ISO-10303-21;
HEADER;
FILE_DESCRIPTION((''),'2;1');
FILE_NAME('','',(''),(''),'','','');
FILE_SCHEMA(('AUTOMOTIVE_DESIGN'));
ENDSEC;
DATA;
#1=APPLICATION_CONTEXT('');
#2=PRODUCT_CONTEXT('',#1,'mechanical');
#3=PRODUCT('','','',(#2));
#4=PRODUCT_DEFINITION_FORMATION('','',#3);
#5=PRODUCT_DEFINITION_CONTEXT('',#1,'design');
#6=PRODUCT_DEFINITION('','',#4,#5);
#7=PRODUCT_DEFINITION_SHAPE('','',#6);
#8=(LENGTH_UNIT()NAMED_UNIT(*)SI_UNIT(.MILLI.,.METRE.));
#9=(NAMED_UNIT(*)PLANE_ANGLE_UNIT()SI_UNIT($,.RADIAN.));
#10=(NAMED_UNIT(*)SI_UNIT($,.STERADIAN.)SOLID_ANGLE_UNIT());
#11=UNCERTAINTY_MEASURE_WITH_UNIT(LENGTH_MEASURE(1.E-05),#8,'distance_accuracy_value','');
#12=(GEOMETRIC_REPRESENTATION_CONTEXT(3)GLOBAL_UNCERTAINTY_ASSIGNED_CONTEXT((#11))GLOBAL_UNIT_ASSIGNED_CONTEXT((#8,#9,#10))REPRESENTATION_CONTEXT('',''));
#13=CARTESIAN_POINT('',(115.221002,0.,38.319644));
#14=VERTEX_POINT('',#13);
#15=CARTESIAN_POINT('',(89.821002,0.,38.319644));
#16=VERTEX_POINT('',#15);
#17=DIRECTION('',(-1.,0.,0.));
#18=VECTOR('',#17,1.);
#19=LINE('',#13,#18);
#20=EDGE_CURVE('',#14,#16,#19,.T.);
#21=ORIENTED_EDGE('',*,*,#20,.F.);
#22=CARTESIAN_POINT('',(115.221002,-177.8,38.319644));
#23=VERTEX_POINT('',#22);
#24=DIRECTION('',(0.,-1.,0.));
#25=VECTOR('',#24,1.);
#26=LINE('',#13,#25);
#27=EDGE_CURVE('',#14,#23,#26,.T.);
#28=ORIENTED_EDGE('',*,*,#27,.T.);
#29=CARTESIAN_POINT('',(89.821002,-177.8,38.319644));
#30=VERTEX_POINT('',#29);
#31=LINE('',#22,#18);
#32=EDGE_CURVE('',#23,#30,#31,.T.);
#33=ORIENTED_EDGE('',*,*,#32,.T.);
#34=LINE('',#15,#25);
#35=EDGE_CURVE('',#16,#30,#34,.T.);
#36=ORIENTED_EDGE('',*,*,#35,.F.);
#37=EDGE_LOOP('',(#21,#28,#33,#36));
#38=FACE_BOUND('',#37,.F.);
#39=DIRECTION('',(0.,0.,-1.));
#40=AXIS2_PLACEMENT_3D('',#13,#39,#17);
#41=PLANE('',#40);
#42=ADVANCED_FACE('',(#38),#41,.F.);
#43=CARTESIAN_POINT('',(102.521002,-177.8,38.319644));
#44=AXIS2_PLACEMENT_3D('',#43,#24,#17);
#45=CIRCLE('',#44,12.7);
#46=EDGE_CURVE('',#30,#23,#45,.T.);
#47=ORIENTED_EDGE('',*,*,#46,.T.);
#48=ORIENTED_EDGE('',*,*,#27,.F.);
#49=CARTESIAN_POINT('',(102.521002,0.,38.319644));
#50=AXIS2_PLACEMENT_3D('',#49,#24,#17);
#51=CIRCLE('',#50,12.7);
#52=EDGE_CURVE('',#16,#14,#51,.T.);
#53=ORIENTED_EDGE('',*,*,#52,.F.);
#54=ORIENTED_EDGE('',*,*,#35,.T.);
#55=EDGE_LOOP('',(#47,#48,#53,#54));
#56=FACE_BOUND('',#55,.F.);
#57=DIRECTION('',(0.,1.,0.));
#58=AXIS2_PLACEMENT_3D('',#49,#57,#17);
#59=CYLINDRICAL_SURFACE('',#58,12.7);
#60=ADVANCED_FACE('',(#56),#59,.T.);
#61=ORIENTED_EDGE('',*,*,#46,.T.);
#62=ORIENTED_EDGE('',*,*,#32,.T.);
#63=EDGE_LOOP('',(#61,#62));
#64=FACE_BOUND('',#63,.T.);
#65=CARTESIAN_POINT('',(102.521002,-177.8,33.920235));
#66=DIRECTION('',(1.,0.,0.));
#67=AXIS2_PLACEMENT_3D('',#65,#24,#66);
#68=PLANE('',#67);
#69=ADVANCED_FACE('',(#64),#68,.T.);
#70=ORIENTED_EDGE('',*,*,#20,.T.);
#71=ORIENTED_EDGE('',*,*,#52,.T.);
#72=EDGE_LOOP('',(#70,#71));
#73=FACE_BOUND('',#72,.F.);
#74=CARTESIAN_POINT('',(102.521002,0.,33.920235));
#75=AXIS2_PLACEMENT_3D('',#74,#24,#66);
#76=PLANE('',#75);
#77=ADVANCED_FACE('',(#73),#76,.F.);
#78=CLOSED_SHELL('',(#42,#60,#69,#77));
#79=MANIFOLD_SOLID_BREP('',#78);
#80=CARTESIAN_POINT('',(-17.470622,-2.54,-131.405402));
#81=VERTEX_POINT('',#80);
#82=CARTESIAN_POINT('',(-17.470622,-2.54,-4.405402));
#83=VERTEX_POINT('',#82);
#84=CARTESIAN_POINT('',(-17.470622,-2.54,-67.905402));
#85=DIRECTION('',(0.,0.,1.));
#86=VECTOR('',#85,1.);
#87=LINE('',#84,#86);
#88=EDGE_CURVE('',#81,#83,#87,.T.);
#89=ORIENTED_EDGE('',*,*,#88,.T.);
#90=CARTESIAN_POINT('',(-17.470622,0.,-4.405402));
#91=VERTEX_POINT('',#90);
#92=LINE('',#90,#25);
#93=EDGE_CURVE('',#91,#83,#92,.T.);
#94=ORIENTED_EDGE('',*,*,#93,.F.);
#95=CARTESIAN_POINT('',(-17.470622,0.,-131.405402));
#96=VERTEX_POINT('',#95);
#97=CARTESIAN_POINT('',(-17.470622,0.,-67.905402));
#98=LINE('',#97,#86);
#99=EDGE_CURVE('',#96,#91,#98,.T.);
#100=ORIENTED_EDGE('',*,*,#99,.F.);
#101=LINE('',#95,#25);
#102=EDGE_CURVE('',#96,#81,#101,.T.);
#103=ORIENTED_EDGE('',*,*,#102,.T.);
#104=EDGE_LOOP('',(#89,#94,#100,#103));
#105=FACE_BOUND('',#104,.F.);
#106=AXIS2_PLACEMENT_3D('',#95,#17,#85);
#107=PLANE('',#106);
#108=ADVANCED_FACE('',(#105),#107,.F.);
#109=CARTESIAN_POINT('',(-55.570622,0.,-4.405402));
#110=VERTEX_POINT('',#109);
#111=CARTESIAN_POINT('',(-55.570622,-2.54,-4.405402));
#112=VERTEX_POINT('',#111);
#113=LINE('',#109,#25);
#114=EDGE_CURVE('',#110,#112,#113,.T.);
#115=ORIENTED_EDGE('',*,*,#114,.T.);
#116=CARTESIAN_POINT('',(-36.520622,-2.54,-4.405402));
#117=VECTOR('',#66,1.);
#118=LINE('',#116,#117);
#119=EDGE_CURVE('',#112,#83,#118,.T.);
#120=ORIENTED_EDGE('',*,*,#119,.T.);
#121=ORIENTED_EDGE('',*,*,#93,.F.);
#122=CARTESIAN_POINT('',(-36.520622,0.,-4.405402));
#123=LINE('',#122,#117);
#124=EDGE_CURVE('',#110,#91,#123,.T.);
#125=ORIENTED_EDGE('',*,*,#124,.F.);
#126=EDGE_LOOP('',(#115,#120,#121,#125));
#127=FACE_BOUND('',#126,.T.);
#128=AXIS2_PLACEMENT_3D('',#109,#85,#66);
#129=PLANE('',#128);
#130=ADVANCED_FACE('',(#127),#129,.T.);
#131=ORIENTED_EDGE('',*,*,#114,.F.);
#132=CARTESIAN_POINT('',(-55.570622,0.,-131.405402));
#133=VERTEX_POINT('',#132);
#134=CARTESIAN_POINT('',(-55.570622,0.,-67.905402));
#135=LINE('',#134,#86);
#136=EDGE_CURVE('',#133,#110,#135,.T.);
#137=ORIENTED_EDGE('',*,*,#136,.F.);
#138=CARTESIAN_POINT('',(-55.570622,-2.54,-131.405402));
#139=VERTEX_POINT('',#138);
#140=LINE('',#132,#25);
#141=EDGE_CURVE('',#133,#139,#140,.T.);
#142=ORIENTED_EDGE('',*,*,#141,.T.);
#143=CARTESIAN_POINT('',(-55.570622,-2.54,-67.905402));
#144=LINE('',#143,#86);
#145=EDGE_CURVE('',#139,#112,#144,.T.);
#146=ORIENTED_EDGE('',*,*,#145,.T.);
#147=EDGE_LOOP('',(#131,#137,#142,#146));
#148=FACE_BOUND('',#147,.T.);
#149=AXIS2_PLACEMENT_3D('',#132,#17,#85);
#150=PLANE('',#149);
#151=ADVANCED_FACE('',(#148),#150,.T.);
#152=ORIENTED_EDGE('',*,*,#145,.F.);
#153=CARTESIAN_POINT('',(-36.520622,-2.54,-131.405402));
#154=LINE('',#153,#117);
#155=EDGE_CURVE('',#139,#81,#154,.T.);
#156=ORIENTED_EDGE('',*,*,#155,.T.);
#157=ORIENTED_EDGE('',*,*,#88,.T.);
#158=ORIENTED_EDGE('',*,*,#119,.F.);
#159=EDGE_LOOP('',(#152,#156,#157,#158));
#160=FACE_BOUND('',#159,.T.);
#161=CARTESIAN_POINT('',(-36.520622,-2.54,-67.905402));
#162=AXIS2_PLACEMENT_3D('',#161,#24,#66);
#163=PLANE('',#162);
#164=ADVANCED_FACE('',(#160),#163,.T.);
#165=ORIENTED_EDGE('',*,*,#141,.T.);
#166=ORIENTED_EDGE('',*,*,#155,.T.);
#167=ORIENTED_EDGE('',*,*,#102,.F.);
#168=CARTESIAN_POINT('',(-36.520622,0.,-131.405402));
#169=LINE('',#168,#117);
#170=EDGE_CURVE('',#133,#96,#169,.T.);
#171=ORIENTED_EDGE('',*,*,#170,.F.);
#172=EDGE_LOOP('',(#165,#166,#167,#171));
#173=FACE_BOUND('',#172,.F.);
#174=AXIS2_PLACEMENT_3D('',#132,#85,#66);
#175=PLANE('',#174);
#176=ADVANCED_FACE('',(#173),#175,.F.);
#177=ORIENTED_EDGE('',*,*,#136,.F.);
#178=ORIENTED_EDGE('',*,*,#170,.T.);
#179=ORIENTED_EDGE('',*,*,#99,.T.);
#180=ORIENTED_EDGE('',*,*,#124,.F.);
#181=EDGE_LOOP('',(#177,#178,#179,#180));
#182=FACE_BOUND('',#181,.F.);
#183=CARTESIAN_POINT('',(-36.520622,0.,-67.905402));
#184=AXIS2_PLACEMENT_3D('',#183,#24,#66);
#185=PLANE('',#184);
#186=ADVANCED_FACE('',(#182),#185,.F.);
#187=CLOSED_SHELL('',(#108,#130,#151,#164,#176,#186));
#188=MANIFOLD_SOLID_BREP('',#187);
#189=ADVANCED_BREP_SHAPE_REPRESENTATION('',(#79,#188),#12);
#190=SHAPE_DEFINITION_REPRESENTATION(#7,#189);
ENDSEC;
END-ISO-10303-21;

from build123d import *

# Parameters (mm, degrees)
F0_W     = 38.1
F0_H     = 127
F1_DEPTH = 2.54
F2_DEPTH = 177.8


with BuildPart() as f1:
    # F0 (on Front) → F1 (new body)
    with BuildSketch(Plane.XZ):
        with Locations((-36.520622, -67.905402)):
            Rectangle(F0_W, F0_H)
    extrude(amount=F1_DEPTH)


with BuildPart() as f2:
    # F0 (on Front) → F2 (new body)
    with BuildSketch(Plane.XZ):
        with BuildLine():
            Line((102.521002, 38.319644), (89.821002, 38.319644))
            ThreePointArc((89.821002, 38.319644), (102.521002, 25.619644), (115.221002, 38.319644))
            Line((115.221002, 38.319644), (102.521002, 38.319644))
        make_face()
    extrude(amount=F2_DEPTH)


solid = Compound([f1.part, f2.part])
